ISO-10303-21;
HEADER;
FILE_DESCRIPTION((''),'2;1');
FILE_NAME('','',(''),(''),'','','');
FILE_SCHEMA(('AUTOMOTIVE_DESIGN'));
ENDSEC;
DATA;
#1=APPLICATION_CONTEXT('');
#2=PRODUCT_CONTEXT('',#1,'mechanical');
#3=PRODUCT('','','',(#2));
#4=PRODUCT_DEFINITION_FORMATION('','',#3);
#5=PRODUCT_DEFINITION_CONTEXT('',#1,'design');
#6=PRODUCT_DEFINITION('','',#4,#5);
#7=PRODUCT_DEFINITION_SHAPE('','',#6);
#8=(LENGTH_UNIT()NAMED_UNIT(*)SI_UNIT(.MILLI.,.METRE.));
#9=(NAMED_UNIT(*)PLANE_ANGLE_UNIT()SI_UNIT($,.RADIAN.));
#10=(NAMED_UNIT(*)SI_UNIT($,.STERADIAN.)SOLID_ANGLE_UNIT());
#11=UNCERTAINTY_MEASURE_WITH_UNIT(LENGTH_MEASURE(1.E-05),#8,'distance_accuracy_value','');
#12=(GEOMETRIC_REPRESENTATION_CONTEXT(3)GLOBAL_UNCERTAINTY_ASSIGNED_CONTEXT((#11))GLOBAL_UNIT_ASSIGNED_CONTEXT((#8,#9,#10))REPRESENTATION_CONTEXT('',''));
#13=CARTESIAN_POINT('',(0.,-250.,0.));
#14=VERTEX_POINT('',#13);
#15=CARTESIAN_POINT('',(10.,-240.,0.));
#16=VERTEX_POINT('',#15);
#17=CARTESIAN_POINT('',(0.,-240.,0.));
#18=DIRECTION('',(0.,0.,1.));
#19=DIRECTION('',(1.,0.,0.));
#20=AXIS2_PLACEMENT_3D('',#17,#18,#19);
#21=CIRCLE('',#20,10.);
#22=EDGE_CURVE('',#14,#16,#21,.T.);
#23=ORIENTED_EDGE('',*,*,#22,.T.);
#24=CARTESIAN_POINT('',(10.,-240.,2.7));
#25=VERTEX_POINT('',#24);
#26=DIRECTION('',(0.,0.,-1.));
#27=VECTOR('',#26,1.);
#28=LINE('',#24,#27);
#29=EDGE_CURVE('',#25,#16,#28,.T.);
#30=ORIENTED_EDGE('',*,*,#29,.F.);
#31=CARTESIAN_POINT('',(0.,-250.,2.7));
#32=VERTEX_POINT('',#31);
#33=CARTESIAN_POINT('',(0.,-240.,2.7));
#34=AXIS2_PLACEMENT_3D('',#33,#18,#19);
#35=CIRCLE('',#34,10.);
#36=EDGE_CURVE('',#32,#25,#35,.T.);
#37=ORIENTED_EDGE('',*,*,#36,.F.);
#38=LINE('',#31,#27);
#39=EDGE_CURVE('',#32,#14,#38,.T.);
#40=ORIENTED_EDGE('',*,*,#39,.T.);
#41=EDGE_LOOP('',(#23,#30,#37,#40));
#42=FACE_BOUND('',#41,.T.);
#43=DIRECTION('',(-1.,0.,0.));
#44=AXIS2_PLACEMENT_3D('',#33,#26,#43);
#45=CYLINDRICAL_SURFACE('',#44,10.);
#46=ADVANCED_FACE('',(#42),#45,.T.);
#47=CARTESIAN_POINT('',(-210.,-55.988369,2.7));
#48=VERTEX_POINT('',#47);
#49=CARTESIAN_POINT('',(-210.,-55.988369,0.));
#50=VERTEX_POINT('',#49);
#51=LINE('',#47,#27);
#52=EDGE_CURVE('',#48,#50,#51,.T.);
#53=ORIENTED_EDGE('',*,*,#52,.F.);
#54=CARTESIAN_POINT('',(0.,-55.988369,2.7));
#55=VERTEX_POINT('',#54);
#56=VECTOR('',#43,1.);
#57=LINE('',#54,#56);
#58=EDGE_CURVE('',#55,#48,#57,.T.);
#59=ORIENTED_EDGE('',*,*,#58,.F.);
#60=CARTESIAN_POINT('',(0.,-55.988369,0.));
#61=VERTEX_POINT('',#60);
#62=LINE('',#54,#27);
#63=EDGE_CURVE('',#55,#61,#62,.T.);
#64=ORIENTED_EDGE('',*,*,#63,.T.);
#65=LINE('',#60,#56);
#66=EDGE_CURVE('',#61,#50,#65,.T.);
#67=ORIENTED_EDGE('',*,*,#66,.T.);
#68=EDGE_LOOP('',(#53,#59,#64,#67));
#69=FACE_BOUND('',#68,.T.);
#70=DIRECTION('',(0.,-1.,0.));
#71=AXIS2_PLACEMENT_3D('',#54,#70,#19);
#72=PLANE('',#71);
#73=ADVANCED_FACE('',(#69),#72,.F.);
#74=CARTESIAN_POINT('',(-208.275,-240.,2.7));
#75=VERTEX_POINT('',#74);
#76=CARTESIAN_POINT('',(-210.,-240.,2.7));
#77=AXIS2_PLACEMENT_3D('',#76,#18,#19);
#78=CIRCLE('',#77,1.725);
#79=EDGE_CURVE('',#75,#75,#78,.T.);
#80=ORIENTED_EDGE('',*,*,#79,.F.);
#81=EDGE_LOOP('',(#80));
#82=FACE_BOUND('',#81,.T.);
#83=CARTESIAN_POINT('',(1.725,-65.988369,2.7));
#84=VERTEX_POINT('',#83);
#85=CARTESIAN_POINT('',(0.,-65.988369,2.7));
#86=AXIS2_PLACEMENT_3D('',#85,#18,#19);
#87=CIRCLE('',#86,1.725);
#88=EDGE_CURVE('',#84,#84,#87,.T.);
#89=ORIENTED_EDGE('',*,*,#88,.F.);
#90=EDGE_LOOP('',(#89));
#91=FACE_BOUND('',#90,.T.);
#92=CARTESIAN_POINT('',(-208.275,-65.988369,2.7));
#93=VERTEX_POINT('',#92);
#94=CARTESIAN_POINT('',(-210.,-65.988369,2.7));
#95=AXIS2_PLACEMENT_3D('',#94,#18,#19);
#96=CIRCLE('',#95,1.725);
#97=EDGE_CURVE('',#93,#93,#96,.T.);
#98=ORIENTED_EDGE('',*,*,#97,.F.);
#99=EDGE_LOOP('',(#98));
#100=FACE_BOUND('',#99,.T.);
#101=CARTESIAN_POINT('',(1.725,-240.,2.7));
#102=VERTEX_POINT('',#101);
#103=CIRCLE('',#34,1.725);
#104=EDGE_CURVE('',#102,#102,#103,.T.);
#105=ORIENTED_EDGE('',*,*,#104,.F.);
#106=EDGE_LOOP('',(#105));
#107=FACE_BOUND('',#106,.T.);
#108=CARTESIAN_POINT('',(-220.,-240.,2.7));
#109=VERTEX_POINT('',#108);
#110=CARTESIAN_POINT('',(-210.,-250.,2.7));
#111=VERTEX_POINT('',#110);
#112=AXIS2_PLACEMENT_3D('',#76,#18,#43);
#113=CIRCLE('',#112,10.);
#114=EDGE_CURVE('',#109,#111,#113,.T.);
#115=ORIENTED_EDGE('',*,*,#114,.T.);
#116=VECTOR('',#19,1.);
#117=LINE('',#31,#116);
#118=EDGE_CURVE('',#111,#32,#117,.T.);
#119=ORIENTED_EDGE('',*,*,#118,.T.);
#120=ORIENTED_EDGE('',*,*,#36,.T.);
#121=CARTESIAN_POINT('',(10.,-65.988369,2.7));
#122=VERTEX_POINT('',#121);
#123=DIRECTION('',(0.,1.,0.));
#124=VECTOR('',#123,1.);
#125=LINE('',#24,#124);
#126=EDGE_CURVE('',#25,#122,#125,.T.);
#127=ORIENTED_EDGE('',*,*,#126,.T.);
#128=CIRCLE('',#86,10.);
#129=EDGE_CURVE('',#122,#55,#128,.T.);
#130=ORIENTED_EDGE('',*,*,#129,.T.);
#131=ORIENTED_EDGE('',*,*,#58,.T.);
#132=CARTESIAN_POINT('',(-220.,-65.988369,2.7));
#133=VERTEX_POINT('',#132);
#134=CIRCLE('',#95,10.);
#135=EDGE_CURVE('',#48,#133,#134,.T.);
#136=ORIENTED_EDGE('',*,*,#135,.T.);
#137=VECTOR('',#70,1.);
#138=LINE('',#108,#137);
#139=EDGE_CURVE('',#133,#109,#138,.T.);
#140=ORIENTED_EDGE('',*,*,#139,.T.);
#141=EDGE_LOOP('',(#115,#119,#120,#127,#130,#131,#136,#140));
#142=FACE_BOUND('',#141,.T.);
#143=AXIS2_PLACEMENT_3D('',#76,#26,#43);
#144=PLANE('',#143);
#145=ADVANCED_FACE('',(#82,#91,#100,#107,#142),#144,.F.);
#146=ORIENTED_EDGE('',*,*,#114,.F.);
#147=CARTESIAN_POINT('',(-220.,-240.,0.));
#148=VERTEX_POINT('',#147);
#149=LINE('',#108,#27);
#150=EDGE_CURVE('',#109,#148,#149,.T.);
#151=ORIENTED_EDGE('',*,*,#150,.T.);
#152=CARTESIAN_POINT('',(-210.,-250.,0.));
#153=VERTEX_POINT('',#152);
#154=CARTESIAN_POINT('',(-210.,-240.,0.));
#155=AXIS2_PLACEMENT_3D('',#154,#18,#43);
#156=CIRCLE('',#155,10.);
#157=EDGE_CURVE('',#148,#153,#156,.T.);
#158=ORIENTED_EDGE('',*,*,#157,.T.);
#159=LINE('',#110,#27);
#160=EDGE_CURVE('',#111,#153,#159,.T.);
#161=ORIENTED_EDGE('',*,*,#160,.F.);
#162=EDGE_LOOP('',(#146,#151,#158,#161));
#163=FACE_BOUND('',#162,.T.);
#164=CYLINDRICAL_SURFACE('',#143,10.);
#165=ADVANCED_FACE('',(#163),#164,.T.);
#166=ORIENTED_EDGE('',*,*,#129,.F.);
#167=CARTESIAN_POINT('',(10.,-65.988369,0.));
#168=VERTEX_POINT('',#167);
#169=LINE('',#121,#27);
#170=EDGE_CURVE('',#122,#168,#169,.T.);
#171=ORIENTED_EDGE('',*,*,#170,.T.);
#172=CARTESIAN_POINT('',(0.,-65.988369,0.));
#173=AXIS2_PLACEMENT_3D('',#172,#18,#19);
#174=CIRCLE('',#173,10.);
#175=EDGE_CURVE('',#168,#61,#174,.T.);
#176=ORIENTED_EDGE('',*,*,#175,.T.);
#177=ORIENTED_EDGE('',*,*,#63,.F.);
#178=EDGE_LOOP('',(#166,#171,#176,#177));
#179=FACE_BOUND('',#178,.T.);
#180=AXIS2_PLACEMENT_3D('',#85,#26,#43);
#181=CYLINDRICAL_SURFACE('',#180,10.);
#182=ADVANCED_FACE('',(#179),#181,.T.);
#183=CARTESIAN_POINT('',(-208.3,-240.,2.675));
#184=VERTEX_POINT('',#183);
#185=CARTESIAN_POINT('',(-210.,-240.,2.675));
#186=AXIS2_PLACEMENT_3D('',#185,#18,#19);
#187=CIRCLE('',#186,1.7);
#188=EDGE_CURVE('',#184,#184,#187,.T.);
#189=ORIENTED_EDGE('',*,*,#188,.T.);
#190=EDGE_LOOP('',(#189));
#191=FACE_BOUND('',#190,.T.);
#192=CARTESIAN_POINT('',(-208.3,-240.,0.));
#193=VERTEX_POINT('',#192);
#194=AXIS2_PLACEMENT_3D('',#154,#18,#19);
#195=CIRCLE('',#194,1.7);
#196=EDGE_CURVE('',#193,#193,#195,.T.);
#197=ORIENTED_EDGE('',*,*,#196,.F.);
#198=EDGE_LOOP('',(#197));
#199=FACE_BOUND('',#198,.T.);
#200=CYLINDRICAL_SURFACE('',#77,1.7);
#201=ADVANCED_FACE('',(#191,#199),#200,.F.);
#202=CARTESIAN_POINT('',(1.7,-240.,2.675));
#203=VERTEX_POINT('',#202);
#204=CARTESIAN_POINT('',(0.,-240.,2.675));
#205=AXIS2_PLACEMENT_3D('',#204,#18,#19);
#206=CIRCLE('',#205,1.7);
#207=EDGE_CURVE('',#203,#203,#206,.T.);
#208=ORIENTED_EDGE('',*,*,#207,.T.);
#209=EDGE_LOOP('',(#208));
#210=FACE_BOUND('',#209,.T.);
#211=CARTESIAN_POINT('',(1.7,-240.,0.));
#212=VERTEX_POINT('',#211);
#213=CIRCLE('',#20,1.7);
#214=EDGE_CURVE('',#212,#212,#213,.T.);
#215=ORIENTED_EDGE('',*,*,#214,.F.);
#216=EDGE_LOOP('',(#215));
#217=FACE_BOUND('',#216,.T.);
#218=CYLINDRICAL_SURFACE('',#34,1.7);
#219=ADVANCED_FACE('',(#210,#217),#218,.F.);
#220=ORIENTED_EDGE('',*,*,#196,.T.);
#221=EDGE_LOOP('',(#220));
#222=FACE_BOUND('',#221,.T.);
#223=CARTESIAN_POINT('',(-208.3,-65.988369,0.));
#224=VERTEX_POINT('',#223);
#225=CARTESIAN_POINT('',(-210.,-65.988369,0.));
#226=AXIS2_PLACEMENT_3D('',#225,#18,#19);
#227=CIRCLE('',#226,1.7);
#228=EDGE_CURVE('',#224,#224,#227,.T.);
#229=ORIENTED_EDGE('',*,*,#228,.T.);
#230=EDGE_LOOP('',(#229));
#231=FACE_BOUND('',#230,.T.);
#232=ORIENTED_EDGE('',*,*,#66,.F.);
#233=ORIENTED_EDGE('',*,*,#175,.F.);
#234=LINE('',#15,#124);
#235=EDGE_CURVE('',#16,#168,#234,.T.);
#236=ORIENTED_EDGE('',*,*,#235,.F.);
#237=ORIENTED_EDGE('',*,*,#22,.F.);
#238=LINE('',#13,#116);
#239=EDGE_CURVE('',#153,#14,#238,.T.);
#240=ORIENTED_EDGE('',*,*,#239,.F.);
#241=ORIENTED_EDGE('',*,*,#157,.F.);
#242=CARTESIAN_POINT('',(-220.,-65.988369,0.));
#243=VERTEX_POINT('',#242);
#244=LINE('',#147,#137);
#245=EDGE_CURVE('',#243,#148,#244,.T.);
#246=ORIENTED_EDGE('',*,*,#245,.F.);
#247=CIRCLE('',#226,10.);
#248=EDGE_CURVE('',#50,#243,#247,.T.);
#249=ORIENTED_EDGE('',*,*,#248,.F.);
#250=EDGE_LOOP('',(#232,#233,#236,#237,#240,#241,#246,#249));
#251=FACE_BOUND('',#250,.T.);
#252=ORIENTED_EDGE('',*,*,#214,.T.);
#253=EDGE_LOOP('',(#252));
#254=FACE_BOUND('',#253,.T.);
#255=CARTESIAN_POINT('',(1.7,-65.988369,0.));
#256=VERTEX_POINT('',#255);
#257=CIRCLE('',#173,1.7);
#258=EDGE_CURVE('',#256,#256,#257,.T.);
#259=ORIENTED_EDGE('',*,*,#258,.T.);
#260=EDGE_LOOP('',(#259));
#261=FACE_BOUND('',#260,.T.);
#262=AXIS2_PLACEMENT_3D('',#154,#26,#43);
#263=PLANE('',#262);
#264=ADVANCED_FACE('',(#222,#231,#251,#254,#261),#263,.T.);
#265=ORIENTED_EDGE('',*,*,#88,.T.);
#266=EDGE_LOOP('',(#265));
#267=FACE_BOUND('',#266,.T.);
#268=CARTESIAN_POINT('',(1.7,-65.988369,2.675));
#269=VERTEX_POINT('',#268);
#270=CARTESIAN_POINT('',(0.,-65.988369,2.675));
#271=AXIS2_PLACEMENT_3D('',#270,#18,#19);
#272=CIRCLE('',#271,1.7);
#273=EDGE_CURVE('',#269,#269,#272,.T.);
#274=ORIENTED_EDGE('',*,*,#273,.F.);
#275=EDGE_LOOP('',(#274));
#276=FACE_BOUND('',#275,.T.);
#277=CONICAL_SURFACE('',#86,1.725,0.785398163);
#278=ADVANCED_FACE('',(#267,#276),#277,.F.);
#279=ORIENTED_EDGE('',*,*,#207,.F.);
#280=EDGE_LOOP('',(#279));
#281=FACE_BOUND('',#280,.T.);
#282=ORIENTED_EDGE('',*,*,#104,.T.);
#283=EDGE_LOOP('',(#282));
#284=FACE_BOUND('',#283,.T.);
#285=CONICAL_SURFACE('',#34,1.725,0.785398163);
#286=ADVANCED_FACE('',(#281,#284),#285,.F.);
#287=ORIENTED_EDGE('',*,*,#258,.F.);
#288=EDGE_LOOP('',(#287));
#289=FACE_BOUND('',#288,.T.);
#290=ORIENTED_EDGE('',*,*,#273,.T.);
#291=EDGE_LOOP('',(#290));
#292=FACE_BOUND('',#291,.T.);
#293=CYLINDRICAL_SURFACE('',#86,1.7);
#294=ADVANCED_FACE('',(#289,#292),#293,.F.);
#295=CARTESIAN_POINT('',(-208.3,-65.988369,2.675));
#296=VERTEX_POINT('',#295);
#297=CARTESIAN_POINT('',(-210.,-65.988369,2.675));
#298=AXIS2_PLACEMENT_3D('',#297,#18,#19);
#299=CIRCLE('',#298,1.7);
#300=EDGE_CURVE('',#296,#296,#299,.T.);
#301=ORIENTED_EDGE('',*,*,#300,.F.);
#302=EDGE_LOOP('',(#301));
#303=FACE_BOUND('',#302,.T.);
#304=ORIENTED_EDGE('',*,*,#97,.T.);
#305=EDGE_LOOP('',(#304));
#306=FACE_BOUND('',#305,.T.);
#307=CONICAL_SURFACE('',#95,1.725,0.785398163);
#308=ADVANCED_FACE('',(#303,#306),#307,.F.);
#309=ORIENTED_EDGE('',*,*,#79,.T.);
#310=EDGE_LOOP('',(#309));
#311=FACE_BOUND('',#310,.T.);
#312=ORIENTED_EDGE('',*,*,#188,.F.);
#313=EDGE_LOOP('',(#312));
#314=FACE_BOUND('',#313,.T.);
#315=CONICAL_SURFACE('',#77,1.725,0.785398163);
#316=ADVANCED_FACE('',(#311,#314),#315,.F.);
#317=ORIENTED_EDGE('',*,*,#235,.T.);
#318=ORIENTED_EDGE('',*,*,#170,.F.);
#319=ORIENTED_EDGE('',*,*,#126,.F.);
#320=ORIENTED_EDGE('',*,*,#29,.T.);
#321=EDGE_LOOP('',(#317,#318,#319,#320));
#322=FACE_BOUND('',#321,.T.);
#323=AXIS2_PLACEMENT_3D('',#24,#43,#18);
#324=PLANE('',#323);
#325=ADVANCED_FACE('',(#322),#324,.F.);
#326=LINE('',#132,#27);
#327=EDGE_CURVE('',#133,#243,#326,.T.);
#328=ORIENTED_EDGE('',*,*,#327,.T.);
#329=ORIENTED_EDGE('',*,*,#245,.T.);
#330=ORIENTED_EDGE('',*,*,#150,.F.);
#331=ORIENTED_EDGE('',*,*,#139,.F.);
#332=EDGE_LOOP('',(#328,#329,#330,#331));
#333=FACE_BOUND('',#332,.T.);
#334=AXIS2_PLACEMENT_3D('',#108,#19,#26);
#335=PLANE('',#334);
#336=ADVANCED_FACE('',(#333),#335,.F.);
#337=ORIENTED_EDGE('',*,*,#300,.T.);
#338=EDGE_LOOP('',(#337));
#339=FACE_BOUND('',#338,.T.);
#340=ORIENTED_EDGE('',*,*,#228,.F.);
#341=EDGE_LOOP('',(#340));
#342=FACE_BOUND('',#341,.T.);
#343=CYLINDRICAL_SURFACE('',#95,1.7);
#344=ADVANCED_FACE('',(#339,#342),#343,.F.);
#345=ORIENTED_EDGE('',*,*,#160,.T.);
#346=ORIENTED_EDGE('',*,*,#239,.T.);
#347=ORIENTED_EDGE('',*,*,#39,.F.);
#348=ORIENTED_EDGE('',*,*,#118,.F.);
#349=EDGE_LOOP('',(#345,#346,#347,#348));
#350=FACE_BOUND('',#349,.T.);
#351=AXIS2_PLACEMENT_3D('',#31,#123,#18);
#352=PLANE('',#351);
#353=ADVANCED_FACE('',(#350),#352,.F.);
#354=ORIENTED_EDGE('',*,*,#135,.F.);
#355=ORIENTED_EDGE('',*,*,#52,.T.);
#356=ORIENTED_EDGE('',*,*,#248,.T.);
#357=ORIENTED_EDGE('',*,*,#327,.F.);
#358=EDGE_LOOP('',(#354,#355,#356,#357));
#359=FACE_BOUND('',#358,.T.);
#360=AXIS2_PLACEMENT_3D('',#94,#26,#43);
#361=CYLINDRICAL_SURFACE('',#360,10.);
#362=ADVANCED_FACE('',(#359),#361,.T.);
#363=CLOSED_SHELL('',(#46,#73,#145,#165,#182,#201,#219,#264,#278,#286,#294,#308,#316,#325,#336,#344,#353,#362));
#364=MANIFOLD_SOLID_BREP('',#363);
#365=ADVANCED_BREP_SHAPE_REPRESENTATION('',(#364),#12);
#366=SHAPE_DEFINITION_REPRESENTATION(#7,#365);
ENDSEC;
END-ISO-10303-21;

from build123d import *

# Parameters (mm, degrees)
BOSS_EXTRUDE1_DEPTH            = 2.7
M3_CLEARANCE_HOLE1_D           = 3.4
M3_CLEARANCE_HOLE1_CSINK_D     = 3.45
M3_CLEARANCE_HOLE1_CSINK_ANGLE = 90


with BuildPart() as part:
    # Sketch1 → Boss-Extrude1 (new body)
    with BuildSketch(Plane.XY):
        with BuildLine():
            Line((0, -250), (-210, -250))
            ThreePointArc((-210, -250), (-217.071067812, -247.071067812), (-220, -240))
            Line((-220, -240), (-220, -65.98836919))
            ThreePointArc((-220, -65.98836919), (-217.071067812, -58.917301378), (-210, -55.98836919))
            Line((-210, -55.98836919), (0, -55.98836919))
            ThreePointArc((0, -55.98836919), (7.071067812, -58.917301378), (10, -65.98836919))
            Line((10, -65.98836919), (10, -240))
            ThreePointArc((10, -240), (7.071067812, -247.071067812), (0, -250))
        make_face()
    extrude(amount=BOSS_EXTRUDE1_DEPTH)

    # M3 Clearance Hole1 (through all)
    with Locations(Plane(origin=(0, -240, 2.7), x_dir=(1, 0, 0), z_dir=(0, 0, 1))):
        with Locations((0, 0), (-210, 0), (-210, 174.01163081), (0, 174.01163081)):
            CounterSinkHole(M3_CLEARANCE_HOLE1_D / 2, M3_CLEARANCE_HOLE1_CSINK_D / 2, counter_sink_angle=M3_CLEARANCE_HOLE1_CSINK_ANGLE)


solid = part.part
